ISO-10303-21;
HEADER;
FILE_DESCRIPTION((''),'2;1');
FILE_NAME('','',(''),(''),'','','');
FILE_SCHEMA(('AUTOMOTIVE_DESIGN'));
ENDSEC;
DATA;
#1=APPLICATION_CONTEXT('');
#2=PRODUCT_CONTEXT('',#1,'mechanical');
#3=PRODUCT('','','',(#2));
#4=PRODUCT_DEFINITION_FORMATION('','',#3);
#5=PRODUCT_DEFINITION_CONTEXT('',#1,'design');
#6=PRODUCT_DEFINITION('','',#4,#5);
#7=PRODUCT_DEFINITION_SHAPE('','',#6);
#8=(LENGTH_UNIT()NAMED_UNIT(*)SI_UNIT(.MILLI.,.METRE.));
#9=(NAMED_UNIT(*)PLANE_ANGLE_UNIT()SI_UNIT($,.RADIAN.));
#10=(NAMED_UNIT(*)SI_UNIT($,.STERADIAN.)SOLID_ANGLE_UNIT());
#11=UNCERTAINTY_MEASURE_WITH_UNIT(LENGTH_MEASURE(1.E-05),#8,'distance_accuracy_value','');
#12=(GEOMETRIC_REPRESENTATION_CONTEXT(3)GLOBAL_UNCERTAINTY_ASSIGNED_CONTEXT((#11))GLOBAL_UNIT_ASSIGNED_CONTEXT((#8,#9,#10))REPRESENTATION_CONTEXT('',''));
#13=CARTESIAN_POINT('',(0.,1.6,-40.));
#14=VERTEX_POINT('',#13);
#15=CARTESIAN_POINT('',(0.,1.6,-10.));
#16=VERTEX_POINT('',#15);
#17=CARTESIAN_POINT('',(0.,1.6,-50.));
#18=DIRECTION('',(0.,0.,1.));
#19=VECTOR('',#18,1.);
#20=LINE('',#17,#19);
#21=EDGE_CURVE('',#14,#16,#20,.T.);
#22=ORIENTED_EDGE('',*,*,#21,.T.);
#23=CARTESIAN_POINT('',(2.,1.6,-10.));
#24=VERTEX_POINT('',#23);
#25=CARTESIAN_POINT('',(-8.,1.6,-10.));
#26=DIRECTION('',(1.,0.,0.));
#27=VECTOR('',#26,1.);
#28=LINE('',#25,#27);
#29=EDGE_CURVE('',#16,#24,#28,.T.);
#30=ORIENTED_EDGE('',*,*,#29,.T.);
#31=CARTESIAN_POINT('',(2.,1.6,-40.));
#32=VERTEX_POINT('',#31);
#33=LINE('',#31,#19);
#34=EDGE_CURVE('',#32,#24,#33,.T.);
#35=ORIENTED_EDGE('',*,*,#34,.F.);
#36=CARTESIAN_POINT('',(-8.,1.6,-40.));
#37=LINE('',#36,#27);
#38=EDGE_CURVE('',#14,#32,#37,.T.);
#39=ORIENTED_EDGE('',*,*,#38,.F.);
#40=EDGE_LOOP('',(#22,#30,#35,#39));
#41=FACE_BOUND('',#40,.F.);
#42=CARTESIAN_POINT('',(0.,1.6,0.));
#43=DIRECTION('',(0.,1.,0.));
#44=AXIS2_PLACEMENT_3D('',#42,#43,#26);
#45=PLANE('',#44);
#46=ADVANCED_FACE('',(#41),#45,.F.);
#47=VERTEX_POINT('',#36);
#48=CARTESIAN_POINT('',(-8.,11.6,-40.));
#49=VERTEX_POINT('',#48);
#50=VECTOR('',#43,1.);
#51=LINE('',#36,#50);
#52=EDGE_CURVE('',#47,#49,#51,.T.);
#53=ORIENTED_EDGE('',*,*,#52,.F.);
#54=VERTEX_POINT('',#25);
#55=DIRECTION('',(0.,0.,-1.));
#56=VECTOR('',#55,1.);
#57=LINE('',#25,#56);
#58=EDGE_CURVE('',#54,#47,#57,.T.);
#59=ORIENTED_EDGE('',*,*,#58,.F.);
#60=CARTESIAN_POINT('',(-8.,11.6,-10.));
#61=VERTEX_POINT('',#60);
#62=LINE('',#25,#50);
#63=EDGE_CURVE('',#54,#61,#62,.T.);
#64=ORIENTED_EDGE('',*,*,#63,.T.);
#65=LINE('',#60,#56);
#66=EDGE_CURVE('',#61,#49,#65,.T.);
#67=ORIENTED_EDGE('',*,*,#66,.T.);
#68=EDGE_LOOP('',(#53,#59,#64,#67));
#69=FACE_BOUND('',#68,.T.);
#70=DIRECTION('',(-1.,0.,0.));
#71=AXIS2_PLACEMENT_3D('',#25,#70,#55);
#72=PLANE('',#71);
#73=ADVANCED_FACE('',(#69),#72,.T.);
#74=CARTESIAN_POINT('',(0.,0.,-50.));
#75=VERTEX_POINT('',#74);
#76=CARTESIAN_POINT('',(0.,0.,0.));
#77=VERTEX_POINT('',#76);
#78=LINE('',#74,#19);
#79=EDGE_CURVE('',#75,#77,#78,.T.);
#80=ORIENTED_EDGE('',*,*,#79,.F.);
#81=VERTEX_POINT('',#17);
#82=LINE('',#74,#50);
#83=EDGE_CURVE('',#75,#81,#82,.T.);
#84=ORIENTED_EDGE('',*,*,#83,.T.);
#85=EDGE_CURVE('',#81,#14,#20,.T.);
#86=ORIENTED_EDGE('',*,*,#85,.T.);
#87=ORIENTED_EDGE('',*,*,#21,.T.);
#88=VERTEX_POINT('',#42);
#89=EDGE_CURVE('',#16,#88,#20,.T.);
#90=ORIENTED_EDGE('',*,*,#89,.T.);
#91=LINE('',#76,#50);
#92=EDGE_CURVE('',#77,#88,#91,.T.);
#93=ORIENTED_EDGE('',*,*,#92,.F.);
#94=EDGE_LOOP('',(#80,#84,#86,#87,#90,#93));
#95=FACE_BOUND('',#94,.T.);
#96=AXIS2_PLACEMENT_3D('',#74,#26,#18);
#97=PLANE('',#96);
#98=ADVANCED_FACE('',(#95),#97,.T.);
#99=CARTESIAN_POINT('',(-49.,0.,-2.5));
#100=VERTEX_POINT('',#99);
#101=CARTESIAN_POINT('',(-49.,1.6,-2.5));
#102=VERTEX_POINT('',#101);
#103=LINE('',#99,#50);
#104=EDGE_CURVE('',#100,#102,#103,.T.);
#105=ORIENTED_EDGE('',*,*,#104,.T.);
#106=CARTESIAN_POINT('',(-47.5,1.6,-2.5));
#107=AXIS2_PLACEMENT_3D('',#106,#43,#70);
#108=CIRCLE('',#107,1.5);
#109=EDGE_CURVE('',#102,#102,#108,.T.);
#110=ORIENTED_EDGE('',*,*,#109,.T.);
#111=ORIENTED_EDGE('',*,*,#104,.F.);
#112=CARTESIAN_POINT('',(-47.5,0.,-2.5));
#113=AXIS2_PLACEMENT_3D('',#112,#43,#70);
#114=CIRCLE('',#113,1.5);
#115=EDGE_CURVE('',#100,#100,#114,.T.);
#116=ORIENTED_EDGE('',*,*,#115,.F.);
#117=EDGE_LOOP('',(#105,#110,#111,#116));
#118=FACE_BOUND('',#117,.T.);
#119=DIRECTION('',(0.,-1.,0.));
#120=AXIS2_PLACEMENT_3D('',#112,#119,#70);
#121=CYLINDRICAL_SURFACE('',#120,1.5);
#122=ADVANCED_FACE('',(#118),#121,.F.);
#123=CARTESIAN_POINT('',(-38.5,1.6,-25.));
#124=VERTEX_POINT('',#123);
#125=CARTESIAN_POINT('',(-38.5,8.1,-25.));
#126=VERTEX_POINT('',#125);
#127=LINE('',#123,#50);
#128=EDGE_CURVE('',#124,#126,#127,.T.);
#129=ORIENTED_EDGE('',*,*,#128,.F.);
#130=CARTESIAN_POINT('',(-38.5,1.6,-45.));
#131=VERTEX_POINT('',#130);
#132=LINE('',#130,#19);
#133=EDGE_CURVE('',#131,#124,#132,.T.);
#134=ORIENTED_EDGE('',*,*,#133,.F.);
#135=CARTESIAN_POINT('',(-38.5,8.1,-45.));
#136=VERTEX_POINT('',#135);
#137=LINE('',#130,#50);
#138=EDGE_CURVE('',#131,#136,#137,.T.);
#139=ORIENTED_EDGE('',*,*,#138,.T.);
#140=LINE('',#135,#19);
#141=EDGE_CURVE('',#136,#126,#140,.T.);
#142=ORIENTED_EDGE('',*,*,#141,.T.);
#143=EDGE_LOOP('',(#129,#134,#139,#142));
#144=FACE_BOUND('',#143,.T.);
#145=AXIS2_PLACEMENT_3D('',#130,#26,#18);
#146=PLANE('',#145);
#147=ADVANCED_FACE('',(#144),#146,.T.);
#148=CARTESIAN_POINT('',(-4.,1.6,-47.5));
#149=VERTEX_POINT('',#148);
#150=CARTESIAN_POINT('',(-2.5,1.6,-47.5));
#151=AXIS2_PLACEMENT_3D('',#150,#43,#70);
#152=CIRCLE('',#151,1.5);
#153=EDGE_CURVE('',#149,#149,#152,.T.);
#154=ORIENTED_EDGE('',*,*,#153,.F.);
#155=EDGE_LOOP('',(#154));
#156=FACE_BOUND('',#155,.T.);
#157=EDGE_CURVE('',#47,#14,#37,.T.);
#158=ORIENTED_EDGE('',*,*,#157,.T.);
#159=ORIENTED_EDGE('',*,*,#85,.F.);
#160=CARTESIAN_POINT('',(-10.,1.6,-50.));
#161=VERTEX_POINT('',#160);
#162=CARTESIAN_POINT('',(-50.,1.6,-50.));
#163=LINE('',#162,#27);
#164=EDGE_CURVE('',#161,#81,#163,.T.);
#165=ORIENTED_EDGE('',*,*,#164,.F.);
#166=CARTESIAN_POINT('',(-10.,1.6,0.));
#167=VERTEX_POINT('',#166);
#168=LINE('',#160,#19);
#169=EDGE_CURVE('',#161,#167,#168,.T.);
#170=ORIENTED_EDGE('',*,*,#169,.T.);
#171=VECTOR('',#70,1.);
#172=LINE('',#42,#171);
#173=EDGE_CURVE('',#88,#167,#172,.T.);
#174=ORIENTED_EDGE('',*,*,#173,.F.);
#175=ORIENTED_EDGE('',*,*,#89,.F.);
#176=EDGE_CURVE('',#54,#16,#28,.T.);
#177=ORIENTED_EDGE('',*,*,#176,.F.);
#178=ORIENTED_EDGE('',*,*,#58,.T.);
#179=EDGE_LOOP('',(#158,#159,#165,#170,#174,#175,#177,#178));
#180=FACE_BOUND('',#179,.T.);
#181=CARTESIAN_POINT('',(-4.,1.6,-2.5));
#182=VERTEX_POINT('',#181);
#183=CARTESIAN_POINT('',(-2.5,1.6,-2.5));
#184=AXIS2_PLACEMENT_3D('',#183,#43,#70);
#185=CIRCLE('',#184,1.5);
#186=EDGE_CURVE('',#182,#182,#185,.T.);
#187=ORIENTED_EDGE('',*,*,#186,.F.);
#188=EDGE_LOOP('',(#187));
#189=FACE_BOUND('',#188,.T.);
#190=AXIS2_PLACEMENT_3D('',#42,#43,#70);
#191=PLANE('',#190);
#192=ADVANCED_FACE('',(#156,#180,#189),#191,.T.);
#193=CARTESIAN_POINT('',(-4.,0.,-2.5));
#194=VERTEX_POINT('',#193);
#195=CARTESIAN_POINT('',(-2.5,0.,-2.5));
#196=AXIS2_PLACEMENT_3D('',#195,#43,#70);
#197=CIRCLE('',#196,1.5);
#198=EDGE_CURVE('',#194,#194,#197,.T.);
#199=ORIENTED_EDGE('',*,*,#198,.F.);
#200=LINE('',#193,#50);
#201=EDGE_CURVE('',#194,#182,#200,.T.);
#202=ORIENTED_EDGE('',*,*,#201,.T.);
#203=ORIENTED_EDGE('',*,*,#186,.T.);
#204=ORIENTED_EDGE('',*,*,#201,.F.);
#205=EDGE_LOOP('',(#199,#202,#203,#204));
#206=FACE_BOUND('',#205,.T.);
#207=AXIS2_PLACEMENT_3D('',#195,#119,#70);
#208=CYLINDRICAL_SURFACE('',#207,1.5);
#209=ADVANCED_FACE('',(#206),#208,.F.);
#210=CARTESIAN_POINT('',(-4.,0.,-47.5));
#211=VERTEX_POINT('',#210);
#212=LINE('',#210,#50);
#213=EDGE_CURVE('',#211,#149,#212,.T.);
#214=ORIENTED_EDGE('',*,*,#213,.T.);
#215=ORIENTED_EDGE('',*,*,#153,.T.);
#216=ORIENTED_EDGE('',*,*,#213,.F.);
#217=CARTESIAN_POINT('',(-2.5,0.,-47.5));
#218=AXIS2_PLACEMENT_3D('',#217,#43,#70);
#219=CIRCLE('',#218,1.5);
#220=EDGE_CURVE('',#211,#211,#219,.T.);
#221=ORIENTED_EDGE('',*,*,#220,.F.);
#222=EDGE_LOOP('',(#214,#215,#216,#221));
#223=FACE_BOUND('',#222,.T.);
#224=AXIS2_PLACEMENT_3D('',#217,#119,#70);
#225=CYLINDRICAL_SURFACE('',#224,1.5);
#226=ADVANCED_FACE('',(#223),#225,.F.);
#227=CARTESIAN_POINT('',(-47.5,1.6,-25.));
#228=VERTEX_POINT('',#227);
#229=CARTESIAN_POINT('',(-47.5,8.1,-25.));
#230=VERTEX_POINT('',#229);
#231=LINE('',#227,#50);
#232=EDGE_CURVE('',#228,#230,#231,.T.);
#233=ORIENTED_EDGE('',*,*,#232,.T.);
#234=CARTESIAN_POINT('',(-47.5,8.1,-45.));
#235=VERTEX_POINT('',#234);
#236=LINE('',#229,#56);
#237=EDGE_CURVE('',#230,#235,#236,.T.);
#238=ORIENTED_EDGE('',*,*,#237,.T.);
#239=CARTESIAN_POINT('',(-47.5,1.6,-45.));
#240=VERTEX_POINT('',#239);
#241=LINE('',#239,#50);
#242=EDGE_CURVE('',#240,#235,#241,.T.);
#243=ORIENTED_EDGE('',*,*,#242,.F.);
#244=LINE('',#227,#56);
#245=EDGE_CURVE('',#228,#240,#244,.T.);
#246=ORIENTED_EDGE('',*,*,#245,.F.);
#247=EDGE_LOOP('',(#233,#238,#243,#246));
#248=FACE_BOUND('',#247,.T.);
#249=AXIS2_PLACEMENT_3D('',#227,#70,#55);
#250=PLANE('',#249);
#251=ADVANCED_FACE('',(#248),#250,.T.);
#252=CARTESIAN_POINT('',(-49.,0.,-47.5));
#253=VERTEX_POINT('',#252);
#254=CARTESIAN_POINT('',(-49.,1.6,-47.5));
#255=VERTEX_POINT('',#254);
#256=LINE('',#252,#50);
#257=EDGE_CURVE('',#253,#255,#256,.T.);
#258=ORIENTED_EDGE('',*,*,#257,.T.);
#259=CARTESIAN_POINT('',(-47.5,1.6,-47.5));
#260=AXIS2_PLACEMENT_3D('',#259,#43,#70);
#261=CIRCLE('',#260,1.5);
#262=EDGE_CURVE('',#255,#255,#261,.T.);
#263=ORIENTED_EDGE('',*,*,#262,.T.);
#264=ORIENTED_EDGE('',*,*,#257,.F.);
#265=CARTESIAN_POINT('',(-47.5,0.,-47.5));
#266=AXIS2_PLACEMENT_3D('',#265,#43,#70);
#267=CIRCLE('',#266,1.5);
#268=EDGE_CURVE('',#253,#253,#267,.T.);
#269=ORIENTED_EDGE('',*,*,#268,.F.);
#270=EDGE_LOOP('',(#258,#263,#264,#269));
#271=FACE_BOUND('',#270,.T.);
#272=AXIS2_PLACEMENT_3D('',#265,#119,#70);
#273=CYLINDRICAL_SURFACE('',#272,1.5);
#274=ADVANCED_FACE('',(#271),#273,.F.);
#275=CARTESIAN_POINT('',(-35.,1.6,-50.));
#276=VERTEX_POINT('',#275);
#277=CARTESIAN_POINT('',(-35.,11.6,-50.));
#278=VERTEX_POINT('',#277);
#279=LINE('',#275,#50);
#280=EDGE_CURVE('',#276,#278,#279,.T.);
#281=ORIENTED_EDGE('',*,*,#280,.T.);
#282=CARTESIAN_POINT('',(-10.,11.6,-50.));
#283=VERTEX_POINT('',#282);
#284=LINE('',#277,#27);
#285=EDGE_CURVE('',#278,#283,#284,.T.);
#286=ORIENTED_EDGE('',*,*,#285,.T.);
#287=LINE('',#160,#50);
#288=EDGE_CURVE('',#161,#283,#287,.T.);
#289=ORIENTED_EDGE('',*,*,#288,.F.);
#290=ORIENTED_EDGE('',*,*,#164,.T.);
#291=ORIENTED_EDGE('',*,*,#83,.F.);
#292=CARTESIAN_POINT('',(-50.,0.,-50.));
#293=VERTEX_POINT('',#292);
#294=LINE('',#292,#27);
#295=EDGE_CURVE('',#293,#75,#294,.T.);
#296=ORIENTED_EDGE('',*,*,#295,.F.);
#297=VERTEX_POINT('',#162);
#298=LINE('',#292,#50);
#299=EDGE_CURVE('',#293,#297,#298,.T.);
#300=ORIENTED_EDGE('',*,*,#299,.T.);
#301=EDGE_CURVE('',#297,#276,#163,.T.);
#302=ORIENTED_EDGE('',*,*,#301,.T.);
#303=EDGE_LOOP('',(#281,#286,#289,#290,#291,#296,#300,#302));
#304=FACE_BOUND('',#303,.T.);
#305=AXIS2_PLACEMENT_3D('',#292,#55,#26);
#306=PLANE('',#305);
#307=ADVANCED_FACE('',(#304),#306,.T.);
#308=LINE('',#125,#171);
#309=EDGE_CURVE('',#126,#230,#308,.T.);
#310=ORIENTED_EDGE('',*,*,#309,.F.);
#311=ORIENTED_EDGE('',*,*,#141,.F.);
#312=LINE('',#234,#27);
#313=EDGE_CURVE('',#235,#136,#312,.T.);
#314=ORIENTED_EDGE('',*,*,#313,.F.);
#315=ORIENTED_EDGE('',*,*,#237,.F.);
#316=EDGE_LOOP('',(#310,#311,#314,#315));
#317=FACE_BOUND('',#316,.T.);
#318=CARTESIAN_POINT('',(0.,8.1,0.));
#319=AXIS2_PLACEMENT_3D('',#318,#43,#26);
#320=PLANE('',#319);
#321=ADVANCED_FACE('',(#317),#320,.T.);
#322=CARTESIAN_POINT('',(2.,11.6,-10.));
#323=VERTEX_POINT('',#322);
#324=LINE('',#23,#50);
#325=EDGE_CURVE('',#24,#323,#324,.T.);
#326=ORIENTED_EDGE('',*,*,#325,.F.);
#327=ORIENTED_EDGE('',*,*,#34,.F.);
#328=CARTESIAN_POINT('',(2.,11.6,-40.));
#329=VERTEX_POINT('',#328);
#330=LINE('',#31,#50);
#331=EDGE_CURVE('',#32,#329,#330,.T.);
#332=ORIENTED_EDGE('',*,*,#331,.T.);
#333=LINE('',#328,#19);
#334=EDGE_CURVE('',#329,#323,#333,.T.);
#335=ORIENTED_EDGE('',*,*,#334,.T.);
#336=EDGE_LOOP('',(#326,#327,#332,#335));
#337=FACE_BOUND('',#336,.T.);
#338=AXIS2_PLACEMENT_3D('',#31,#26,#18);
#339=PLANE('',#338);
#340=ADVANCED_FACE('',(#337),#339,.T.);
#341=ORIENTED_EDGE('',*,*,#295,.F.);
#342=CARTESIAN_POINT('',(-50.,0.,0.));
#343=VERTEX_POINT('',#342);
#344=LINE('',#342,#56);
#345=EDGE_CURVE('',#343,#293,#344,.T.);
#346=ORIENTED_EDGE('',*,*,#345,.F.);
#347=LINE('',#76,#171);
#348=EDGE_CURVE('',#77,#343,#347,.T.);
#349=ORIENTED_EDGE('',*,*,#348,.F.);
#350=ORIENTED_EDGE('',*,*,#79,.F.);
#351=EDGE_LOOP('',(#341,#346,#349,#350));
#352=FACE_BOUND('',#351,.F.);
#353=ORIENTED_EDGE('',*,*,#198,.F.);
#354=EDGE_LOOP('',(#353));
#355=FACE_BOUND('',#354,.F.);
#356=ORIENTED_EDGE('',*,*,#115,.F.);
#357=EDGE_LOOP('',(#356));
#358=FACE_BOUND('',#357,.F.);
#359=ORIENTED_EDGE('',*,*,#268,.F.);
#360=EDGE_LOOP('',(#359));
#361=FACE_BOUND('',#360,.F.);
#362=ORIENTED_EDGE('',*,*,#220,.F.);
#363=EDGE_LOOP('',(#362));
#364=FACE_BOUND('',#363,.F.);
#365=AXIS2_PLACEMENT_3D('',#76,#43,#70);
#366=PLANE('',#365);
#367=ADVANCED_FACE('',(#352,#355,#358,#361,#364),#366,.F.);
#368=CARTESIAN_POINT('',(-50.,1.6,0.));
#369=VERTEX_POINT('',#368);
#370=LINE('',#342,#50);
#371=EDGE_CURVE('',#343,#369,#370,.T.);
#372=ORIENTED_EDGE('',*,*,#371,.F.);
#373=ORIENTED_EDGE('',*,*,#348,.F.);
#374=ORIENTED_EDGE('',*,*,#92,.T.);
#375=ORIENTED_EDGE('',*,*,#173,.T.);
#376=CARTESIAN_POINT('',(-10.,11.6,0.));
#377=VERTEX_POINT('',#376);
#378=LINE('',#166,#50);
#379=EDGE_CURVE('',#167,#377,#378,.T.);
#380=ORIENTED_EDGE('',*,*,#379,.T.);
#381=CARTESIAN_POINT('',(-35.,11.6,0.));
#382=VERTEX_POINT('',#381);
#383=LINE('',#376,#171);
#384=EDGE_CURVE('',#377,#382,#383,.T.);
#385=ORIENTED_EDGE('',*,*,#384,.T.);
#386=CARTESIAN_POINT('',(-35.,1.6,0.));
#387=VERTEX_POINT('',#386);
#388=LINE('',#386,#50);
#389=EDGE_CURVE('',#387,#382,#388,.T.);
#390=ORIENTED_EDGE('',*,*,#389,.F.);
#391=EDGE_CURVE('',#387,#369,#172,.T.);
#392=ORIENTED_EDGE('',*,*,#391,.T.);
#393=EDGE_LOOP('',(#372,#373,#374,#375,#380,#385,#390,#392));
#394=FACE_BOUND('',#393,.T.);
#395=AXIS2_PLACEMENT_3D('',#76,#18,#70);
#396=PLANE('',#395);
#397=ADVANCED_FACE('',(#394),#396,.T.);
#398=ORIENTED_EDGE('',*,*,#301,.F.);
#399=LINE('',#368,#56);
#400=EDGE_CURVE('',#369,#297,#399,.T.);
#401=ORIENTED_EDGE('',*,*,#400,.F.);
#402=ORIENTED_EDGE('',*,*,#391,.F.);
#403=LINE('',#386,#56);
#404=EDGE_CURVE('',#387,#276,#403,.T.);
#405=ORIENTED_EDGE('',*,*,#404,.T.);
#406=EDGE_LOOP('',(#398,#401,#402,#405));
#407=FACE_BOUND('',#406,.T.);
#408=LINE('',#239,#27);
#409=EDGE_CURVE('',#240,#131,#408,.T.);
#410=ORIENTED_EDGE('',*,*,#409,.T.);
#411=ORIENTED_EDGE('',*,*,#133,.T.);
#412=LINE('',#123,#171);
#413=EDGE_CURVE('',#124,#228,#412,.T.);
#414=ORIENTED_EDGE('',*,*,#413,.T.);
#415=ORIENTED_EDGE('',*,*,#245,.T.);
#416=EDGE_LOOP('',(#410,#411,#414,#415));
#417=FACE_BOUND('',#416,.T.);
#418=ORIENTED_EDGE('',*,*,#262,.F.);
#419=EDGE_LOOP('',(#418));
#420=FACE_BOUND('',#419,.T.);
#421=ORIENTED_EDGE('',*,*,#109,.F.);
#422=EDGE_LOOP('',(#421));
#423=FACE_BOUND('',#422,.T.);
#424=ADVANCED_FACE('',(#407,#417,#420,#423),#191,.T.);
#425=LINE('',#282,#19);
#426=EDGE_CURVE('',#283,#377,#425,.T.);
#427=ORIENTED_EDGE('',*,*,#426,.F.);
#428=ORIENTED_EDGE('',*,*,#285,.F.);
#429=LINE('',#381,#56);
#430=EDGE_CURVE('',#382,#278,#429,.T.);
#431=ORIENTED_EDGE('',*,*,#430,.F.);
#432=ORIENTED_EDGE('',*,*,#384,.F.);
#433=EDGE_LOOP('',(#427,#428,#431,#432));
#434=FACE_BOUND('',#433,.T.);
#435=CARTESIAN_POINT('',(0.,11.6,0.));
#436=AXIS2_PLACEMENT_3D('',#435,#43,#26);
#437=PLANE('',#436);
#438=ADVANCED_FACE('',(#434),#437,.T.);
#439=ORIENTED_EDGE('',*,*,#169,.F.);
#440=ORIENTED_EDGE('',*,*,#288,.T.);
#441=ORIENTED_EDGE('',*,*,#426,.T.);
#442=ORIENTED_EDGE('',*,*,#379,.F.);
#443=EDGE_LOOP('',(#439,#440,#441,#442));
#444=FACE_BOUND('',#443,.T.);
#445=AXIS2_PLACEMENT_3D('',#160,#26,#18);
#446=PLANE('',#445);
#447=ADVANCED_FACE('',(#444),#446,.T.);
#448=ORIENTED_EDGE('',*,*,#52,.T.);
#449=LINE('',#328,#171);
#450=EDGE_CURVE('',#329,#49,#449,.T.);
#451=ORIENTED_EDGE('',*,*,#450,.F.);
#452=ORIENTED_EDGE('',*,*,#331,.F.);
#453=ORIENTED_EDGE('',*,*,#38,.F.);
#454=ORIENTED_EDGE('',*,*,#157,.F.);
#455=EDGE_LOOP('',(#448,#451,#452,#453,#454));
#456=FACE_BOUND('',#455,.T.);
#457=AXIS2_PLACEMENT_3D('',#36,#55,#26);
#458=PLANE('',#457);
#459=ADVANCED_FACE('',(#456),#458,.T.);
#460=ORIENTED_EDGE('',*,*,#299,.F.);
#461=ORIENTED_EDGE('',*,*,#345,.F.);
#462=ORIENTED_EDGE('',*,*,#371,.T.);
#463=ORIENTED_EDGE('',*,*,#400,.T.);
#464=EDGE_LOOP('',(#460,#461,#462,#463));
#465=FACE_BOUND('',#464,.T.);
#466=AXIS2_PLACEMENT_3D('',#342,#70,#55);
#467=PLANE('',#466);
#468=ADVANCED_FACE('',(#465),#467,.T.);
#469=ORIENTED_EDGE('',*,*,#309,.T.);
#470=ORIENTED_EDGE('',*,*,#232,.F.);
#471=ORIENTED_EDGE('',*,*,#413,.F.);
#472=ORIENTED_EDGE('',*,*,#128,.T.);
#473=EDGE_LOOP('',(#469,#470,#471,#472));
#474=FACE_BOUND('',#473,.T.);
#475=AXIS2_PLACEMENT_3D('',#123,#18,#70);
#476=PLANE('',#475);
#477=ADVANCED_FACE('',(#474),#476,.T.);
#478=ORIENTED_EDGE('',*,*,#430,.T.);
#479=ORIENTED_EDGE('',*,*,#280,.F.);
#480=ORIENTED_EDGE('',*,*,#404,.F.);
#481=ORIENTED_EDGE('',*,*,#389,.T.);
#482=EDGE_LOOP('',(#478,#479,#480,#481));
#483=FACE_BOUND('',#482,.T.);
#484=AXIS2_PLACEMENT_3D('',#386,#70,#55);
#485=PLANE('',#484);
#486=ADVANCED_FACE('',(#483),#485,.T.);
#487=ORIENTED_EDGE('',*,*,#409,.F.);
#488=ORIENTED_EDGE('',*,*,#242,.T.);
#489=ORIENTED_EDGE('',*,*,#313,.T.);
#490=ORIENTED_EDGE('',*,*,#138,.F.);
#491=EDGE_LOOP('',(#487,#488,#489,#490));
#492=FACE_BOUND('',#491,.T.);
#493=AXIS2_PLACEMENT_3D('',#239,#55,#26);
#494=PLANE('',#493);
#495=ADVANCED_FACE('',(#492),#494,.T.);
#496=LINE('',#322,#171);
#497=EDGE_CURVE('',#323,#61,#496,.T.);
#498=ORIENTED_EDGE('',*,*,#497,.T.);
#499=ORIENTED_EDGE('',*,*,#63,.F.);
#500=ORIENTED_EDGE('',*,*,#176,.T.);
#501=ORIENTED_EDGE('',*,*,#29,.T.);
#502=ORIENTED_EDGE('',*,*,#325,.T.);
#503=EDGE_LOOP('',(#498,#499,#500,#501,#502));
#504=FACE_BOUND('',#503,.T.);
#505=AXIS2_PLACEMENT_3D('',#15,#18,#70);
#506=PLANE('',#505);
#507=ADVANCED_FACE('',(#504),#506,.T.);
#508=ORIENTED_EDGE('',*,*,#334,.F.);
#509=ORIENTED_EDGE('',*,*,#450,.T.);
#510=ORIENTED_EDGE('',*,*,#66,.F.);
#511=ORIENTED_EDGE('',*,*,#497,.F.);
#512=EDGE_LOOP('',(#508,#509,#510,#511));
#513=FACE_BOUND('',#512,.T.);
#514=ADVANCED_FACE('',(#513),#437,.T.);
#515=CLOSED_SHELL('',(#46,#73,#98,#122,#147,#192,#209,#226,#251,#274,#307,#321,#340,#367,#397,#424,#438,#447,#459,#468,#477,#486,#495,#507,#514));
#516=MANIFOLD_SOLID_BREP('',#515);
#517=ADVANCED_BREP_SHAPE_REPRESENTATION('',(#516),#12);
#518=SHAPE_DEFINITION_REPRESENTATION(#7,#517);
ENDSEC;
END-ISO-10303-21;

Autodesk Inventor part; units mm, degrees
ref_plane "YZ Plane" through (0, 0, 0) normal (1, 0, 0) x (0, 1, 0)
ref_plane "XZ Plane" through (0, 0, 0) normal (0, 1, 0) x (-1, 0, 0)
ref_plane "XY Plane" through (0, 0, 0) normal (0, 0, 1) x (1, 0, 0)
sketch "Sketch1" plane through (0, 0, 0) normal (0, 1, 0) x (-1, 0, 0)
  line L0 (0, 0) -> (50, 0)
  line L1 (50, 0) -> (50, -50)
  line L2 (50, -50) -> (0, -50)
  line L3 (0, -50) -> (0, 0)
  circle A0 centre (47.5, -2.5) radius 1.5
  circle A1 centre (47.5, -47.5) radius 1.5
  circle A2 centre (2.5, -2.5) radius 1.5
  circle A3 centre (2.5, -47.5) radius 1.5
  dimension "d0" = 50
  dimension "d1" = 50
  dimension "d2" = 3
  dimension "d3" = 3
  dimension "d4" = 3
  dimension "d5" = 3
  dimension "d6" = 2.5
  dimension "d7" = 45
  dimension "d8" = 2.5
  dimension "d9" = 2.5
  dimension "d10" = 2.5
  dimension "d11" = 45
  dimension "d12" = 45
  dimension "d13" = 45
extrude "Extrusion1" add sketch "Sketch1" along normal blind 1.6
sketch "Sketch2" plane through (0, 1.6, 0) normal (0, 1, 0) x (1, 0, 0)
  line L0 (-10, 0) -> (-35, 0)
  line L1 (-35, 0) -> (-35, 50)
  line L2 (-35, 50) -> (-10, 50)
  line L3 (-10, 50) -> (-10, 0)
  line L4 (-50, 0) -> (0, 0) projected
  line L5 (0, 0) -> (0, 50) projected
  line L6 (2, 10) -> (-8, 10)
  line L7 (-8, 10) -> (-8, 40)
  line L8 (-8, 40) -> (2, 40)
  line L9 (2, 40) -> (2, 10)
  line L10 (-47.5, 45) -> (-38.5, 45)
  line L11 (-38.5, 45) -> (-38.5, 25)
  line L12 (-38.5, 25) -> (-47.5, 25)
  line L13 (-47.5, 25) -> (-47.5, 45)
  line L14 (-50, 50) -> (-50, 0) projected
  line L15 (0, 50) -> (-50, 50) projected
  point P0 (0, 40)
  point P1 (0, 10)
  dimension "d16" = 25
  dimension "d17" = 50
  dimension "d19" = 10
  dimension "d20" = 10
  dimension "d21" = 30
  dimension "d22" = 10
  dimension "d23" = 2
  dimension "d26" = 9
  dimension "d27" = 20
  dimension "d28" = 2.5
  dimension "d29" = 5
extrude "Extrusion2" add sketch "Sketch2" along normal blind 10 contours L0 L1 L2 L3 | L6 L7 L8 L5 | L5 L8 L9 L6
extrude "Extrusion3" add sketch "Sketch2" along normal blind 6.5 contours L10 L11 L12 L13
properties part number "motor_driver"
